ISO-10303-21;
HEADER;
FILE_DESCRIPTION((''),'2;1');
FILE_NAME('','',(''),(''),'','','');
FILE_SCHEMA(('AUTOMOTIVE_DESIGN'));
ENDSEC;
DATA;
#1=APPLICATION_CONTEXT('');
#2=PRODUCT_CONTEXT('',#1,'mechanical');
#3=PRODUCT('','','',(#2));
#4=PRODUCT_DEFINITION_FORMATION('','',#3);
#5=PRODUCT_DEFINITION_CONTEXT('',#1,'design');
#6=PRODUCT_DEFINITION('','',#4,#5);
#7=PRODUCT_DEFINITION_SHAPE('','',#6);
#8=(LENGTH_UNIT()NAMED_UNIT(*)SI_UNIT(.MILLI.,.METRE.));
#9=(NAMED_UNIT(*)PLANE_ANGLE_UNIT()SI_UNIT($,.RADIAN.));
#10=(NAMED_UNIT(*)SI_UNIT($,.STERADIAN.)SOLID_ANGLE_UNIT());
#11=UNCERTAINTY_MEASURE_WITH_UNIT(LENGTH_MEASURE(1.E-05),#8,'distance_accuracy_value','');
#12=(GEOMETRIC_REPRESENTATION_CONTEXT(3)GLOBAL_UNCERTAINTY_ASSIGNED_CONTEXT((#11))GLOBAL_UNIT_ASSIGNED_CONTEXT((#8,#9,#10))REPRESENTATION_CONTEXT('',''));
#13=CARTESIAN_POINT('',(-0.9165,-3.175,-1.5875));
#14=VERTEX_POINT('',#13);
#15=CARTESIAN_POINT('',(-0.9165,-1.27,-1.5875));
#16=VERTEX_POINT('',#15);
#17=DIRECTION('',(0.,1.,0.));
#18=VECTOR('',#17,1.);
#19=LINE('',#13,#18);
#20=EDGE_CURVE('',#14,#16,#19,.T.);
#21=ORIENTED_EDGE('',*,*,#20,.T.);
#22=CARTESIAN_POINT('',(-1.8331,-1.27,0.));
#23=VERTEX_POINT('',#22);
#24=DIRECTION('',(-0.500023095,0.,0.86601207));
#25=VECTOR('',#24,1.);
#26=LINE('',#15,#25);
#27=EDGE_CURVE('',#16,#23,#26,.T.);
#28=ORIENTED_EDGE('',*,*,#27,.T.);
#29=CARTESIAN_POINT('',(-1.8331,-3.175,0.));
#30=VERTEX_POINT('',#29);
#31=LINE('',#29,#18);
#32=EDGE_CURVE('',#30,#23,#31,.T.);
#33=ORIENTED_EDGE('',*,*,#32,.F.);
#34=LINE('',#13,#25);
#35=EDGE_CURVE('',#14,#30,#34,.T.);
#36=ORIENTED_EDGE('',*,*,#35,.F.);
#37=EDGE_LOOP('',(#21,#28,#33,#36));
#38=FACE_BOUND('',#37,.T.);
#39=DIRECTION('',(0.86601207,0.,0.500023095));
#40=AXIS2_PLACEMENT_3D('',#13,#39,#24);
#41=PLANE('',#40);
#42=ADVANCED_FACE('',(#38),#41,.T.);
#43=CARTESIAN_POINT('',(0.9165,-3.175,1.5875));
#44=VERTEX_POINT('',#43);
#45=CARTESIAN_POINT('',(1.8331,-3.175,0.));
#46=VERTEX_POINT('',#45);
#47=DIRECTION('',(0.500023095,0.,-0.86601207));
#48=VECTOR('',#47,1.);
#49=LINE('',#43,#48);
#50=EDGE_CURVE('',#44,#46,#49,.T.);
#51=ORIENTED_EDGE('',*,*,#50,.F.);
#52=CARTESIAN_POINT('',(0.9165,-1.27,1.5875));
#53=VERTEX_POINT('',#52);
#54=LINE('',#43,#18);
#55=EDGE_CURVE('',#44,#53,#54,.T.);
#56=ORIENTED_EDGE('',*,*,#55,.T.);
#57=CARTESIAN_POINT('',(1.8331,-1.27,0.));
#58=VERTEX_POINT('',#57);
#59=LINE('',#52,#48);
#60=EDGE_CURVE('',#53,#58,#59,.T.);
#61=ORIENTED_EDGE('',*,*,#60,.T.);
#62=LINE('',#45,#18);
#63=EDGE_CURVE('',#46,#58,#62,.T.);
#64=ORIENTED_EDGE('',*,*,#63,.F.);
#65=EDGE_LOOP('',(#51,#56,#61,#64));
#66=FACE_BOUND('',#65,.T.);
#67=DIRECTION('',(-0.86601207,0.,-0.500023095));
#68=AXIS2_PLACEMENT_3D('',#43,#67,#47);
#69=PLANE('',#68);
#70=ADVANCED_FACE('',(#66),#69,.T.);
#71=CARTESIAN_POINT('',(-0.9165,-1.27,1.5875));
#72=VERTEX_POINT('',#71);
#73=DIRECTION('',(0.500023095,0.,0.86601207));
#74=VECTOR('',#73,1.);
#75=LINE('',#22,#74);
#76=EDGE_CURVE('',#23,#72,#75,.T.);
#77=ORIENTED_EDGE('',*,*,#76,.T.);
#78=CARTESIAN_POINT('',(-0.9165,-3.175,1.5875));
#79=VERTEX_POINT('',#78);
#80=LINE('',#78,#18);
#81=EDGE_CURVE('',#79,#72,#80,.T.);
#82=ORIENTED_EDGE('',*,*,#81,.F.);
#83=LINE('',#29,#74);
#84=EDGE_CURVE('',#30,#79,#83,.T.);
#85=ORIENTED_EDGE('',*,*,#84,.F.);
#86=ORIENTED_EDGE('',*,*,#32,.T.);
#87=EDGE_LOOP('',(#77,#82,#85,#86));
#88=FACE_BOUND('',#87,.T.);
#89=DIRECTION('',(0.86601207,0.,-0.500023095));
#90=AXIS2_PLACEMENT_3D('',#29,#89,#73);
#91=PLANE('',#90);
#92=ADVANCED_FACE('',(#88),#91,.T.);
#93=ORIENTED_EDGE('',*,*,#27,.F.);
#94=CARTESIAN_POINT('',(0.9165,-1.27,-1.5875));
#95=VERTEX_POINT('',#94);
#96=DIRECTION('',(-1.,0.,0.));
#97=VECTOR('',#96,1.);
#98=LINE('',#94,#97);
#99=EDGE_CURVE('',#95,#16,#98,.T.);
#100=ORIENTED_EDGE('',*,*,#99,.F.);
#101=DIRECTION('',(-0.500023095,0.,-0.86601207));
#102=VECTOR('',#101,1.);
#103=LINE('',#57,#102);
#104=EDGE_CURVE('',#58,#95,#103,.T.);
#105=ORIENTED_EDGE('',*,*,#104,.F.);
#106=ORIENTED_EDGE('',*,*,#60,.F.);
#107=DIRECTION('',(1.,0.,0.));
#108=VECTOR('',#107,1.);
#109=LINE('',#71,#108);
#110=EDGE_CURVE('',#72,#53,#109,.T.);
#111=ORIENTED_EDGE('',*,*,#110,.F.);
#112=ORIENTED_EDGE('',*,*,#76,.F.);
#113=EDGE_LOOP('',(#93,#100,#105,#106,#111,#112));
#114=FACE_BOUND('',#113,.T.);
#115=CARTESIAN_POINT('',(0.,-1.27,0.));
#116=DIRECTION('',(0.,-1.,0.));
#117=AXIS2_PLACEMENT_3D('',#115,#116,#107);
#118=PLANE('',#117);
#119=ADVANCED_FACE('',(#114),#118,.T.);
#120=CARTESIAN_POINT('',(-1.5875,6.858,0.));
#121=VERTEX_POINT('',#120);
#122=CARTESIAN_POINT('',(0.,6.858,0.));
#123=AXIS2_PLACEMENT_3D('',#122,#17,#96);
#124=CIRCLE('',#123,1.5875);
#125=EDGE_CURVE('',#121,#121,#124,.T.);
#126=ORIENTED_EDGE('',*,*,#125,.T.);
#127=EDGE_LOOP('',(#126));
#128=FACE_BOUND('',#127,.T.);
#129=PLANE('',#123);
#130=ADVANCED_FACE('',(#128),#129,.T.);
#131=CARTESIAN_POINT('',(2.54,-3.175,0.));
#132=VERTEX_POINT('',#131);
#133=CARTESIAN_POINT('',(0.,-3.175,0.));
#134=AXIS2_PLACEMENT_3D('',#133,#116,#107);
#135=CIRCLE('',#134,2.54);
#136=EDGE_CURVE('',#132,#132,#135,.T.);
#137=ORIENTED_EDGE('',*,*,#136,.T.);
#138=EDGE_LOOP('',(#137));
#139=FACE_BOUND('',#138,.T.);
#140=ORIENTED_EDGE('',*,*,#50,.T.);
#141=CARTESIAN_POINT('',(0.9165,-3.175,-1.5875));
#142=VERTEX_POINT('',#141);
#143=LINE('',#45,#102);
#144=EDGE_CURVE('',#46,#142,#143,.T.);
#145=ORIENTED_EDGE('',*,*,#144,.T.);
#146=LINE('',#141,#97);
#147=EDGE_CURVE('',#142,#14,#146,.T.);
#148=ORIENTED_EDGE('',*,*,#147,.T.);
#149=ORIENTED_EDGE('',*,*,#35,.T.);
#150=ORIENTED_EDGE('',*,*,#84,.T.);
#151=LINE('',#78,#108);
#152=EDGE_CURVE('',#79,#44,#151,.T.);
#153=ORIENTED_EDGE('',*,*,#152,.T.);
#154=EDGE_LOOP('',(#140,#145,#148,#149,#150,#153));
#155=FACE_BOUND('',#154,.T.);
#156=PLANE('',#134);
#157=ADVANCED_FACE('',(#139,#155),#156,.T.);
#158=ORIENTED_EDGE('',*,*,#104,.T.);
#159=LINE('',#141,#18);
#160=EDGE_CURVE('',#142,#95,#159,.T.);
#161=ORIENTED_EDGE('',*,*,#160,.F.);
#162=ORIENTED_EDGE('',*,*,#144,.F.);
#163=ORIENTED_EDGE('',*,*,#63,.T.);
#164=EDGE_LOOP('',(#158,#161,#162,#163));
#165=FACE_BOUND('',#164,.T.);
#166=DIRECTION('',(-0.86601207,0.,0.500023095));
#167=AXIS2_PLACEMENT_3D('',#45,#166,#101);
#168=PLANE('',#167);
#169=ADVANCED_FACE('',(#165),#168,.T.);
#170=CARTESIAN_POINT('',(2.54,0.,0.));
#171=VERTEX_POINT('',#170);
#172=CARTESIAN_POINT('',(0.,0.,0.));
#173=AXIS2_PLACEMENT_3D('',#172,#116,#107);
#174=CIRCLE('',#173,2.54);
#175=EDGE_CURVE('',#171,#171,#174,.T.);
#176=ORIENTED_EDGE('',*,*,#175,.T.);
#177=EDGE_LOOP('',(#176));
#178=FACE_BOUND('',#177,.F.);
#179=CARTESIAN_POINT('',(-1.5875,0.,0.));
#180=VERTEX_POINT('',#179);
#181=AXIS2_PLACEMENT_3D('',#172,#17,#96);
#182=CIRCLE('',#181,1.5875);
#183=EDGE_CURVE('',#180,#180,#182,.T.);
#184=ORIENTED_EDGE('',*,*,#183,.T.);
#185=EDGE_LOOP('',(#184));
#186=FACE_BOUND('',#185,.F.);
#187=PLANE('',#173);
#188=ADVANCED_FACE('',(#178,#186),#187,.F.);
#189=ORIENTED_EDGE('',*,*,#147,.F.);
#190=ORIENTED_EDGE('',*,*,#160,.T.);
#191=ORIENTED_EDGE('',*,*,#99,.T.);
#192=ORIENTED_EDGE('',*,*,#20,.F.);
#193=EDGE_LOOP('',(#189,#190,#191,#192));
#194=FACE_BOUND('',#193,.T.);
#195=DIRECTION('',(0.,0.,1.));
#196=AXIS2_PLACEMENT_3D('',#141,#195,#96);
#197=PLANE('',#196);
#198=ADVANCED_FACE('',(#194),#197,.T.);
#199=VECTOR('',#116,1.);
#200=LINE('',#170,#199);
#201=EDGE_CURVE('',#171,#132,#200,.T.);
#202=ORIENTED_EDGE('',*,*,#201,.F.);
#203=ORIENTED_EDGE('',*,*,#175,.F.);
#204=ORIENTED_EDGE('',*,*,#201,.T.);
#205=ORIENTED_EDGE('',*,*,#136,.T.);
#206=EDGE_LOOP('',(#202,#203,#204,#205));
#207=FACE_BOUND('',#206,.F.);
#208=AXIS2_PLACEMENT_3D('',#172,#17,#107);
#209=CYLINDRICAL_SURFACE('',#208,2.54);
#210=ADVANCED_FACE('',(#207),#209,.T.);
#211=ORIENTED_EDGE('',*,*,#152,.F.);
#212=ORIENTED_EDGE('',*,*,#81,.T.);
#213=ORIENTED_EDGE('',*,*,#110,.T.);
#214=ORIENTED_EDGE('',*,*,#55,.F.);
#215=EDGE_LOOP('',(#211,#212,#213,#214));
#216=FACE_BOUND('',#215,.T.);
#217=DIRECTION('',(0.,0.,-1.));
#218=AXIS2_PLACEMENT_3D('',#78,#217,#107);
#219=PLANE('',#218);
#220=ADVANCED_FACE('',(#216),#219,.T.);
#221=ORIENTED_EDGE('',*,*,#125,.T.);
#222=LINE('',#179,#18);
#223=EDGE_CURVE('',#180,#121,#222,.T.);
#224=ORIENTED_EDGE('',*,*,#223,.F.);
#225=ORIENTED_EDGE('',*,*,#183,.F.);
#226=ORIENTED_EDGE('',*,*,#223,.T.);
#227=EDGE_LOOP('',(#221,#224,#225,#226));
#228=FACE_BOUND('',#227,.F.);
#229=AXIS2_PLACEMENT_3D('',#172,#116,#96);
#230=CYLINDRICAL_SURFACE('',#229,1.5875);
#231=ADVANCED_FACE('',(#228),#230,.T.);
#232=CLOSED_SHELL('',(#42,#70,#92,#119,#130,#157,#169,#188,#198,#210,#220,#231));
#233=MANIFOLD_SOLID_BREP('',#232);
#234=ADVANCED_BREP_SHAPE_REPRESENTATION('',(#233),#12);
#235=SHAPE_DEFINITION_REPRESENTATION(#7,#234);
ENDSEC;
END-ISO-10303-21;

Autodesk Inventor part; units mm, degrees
ref_plane "YZ Plane" through (0, 0, 0) normal (1, 0, 0) x (0, 1, 0)
ref_plane "XZ Plane" through (0, 0, 0) normal (0, 1, 0) x (-1, 0, 0)
ref_plane "XY Plane" through (0, 0, 0) normal (0, 0, 1) x (1, 0, 0)
sketch "Sketch1" plane through (0, 0, 0) normal (0, 1, 0) x (-1, 0, 0)
  circle A0 centre (0, 0) radius 1.5875
  dimension "d0" = 3.175
extrude "Extrusion1" add sketch "Sketch1" along normal blind 6.858
sketch "Sketch2" plane through (0, 0, 0) normal (0, -1, 0) x (1, 0, 0)
  circle A0 centre (0, 0) radius 2.54
  dimension "d3" = 5.08
extrude "Extrusion2" add sketch "Sketch2" along normal blind 3.175
sketch "Sketch3" plane through (0, -3.175, 0) normal (0, -1, 0) x (1, 0, 0)
  line L0 (1.8331, 0) -> (0.9165, -1.5875)
  line L1 (0.9165, -1.5875) -> (-0.9165, -1.5875)
  line L2 (-0.9165, -1.5875) -> (-1.8331, 0)
  line L3 (-1.8331, 0) -> (-0.9165, 1.5875)
  line L4 (-0.9165, 1.5875) -> (0.9165, 1.5875)
  line L5 (0.9165, 1.5875) -> (1.8331, 0)
  point P0 (0, 0)
  point P1 (0, 0)
  dimension "d6" = 3.175
extrude "Extrusion3" cut sketch "Sketch3" against normal blind 1.905
thread "Thread1" size "5-40 UNC" class "2A" standard "ANSI Unified Screw Threads" full length
properties part number "Slide rod set screw" material "Steel, Galvanized"
